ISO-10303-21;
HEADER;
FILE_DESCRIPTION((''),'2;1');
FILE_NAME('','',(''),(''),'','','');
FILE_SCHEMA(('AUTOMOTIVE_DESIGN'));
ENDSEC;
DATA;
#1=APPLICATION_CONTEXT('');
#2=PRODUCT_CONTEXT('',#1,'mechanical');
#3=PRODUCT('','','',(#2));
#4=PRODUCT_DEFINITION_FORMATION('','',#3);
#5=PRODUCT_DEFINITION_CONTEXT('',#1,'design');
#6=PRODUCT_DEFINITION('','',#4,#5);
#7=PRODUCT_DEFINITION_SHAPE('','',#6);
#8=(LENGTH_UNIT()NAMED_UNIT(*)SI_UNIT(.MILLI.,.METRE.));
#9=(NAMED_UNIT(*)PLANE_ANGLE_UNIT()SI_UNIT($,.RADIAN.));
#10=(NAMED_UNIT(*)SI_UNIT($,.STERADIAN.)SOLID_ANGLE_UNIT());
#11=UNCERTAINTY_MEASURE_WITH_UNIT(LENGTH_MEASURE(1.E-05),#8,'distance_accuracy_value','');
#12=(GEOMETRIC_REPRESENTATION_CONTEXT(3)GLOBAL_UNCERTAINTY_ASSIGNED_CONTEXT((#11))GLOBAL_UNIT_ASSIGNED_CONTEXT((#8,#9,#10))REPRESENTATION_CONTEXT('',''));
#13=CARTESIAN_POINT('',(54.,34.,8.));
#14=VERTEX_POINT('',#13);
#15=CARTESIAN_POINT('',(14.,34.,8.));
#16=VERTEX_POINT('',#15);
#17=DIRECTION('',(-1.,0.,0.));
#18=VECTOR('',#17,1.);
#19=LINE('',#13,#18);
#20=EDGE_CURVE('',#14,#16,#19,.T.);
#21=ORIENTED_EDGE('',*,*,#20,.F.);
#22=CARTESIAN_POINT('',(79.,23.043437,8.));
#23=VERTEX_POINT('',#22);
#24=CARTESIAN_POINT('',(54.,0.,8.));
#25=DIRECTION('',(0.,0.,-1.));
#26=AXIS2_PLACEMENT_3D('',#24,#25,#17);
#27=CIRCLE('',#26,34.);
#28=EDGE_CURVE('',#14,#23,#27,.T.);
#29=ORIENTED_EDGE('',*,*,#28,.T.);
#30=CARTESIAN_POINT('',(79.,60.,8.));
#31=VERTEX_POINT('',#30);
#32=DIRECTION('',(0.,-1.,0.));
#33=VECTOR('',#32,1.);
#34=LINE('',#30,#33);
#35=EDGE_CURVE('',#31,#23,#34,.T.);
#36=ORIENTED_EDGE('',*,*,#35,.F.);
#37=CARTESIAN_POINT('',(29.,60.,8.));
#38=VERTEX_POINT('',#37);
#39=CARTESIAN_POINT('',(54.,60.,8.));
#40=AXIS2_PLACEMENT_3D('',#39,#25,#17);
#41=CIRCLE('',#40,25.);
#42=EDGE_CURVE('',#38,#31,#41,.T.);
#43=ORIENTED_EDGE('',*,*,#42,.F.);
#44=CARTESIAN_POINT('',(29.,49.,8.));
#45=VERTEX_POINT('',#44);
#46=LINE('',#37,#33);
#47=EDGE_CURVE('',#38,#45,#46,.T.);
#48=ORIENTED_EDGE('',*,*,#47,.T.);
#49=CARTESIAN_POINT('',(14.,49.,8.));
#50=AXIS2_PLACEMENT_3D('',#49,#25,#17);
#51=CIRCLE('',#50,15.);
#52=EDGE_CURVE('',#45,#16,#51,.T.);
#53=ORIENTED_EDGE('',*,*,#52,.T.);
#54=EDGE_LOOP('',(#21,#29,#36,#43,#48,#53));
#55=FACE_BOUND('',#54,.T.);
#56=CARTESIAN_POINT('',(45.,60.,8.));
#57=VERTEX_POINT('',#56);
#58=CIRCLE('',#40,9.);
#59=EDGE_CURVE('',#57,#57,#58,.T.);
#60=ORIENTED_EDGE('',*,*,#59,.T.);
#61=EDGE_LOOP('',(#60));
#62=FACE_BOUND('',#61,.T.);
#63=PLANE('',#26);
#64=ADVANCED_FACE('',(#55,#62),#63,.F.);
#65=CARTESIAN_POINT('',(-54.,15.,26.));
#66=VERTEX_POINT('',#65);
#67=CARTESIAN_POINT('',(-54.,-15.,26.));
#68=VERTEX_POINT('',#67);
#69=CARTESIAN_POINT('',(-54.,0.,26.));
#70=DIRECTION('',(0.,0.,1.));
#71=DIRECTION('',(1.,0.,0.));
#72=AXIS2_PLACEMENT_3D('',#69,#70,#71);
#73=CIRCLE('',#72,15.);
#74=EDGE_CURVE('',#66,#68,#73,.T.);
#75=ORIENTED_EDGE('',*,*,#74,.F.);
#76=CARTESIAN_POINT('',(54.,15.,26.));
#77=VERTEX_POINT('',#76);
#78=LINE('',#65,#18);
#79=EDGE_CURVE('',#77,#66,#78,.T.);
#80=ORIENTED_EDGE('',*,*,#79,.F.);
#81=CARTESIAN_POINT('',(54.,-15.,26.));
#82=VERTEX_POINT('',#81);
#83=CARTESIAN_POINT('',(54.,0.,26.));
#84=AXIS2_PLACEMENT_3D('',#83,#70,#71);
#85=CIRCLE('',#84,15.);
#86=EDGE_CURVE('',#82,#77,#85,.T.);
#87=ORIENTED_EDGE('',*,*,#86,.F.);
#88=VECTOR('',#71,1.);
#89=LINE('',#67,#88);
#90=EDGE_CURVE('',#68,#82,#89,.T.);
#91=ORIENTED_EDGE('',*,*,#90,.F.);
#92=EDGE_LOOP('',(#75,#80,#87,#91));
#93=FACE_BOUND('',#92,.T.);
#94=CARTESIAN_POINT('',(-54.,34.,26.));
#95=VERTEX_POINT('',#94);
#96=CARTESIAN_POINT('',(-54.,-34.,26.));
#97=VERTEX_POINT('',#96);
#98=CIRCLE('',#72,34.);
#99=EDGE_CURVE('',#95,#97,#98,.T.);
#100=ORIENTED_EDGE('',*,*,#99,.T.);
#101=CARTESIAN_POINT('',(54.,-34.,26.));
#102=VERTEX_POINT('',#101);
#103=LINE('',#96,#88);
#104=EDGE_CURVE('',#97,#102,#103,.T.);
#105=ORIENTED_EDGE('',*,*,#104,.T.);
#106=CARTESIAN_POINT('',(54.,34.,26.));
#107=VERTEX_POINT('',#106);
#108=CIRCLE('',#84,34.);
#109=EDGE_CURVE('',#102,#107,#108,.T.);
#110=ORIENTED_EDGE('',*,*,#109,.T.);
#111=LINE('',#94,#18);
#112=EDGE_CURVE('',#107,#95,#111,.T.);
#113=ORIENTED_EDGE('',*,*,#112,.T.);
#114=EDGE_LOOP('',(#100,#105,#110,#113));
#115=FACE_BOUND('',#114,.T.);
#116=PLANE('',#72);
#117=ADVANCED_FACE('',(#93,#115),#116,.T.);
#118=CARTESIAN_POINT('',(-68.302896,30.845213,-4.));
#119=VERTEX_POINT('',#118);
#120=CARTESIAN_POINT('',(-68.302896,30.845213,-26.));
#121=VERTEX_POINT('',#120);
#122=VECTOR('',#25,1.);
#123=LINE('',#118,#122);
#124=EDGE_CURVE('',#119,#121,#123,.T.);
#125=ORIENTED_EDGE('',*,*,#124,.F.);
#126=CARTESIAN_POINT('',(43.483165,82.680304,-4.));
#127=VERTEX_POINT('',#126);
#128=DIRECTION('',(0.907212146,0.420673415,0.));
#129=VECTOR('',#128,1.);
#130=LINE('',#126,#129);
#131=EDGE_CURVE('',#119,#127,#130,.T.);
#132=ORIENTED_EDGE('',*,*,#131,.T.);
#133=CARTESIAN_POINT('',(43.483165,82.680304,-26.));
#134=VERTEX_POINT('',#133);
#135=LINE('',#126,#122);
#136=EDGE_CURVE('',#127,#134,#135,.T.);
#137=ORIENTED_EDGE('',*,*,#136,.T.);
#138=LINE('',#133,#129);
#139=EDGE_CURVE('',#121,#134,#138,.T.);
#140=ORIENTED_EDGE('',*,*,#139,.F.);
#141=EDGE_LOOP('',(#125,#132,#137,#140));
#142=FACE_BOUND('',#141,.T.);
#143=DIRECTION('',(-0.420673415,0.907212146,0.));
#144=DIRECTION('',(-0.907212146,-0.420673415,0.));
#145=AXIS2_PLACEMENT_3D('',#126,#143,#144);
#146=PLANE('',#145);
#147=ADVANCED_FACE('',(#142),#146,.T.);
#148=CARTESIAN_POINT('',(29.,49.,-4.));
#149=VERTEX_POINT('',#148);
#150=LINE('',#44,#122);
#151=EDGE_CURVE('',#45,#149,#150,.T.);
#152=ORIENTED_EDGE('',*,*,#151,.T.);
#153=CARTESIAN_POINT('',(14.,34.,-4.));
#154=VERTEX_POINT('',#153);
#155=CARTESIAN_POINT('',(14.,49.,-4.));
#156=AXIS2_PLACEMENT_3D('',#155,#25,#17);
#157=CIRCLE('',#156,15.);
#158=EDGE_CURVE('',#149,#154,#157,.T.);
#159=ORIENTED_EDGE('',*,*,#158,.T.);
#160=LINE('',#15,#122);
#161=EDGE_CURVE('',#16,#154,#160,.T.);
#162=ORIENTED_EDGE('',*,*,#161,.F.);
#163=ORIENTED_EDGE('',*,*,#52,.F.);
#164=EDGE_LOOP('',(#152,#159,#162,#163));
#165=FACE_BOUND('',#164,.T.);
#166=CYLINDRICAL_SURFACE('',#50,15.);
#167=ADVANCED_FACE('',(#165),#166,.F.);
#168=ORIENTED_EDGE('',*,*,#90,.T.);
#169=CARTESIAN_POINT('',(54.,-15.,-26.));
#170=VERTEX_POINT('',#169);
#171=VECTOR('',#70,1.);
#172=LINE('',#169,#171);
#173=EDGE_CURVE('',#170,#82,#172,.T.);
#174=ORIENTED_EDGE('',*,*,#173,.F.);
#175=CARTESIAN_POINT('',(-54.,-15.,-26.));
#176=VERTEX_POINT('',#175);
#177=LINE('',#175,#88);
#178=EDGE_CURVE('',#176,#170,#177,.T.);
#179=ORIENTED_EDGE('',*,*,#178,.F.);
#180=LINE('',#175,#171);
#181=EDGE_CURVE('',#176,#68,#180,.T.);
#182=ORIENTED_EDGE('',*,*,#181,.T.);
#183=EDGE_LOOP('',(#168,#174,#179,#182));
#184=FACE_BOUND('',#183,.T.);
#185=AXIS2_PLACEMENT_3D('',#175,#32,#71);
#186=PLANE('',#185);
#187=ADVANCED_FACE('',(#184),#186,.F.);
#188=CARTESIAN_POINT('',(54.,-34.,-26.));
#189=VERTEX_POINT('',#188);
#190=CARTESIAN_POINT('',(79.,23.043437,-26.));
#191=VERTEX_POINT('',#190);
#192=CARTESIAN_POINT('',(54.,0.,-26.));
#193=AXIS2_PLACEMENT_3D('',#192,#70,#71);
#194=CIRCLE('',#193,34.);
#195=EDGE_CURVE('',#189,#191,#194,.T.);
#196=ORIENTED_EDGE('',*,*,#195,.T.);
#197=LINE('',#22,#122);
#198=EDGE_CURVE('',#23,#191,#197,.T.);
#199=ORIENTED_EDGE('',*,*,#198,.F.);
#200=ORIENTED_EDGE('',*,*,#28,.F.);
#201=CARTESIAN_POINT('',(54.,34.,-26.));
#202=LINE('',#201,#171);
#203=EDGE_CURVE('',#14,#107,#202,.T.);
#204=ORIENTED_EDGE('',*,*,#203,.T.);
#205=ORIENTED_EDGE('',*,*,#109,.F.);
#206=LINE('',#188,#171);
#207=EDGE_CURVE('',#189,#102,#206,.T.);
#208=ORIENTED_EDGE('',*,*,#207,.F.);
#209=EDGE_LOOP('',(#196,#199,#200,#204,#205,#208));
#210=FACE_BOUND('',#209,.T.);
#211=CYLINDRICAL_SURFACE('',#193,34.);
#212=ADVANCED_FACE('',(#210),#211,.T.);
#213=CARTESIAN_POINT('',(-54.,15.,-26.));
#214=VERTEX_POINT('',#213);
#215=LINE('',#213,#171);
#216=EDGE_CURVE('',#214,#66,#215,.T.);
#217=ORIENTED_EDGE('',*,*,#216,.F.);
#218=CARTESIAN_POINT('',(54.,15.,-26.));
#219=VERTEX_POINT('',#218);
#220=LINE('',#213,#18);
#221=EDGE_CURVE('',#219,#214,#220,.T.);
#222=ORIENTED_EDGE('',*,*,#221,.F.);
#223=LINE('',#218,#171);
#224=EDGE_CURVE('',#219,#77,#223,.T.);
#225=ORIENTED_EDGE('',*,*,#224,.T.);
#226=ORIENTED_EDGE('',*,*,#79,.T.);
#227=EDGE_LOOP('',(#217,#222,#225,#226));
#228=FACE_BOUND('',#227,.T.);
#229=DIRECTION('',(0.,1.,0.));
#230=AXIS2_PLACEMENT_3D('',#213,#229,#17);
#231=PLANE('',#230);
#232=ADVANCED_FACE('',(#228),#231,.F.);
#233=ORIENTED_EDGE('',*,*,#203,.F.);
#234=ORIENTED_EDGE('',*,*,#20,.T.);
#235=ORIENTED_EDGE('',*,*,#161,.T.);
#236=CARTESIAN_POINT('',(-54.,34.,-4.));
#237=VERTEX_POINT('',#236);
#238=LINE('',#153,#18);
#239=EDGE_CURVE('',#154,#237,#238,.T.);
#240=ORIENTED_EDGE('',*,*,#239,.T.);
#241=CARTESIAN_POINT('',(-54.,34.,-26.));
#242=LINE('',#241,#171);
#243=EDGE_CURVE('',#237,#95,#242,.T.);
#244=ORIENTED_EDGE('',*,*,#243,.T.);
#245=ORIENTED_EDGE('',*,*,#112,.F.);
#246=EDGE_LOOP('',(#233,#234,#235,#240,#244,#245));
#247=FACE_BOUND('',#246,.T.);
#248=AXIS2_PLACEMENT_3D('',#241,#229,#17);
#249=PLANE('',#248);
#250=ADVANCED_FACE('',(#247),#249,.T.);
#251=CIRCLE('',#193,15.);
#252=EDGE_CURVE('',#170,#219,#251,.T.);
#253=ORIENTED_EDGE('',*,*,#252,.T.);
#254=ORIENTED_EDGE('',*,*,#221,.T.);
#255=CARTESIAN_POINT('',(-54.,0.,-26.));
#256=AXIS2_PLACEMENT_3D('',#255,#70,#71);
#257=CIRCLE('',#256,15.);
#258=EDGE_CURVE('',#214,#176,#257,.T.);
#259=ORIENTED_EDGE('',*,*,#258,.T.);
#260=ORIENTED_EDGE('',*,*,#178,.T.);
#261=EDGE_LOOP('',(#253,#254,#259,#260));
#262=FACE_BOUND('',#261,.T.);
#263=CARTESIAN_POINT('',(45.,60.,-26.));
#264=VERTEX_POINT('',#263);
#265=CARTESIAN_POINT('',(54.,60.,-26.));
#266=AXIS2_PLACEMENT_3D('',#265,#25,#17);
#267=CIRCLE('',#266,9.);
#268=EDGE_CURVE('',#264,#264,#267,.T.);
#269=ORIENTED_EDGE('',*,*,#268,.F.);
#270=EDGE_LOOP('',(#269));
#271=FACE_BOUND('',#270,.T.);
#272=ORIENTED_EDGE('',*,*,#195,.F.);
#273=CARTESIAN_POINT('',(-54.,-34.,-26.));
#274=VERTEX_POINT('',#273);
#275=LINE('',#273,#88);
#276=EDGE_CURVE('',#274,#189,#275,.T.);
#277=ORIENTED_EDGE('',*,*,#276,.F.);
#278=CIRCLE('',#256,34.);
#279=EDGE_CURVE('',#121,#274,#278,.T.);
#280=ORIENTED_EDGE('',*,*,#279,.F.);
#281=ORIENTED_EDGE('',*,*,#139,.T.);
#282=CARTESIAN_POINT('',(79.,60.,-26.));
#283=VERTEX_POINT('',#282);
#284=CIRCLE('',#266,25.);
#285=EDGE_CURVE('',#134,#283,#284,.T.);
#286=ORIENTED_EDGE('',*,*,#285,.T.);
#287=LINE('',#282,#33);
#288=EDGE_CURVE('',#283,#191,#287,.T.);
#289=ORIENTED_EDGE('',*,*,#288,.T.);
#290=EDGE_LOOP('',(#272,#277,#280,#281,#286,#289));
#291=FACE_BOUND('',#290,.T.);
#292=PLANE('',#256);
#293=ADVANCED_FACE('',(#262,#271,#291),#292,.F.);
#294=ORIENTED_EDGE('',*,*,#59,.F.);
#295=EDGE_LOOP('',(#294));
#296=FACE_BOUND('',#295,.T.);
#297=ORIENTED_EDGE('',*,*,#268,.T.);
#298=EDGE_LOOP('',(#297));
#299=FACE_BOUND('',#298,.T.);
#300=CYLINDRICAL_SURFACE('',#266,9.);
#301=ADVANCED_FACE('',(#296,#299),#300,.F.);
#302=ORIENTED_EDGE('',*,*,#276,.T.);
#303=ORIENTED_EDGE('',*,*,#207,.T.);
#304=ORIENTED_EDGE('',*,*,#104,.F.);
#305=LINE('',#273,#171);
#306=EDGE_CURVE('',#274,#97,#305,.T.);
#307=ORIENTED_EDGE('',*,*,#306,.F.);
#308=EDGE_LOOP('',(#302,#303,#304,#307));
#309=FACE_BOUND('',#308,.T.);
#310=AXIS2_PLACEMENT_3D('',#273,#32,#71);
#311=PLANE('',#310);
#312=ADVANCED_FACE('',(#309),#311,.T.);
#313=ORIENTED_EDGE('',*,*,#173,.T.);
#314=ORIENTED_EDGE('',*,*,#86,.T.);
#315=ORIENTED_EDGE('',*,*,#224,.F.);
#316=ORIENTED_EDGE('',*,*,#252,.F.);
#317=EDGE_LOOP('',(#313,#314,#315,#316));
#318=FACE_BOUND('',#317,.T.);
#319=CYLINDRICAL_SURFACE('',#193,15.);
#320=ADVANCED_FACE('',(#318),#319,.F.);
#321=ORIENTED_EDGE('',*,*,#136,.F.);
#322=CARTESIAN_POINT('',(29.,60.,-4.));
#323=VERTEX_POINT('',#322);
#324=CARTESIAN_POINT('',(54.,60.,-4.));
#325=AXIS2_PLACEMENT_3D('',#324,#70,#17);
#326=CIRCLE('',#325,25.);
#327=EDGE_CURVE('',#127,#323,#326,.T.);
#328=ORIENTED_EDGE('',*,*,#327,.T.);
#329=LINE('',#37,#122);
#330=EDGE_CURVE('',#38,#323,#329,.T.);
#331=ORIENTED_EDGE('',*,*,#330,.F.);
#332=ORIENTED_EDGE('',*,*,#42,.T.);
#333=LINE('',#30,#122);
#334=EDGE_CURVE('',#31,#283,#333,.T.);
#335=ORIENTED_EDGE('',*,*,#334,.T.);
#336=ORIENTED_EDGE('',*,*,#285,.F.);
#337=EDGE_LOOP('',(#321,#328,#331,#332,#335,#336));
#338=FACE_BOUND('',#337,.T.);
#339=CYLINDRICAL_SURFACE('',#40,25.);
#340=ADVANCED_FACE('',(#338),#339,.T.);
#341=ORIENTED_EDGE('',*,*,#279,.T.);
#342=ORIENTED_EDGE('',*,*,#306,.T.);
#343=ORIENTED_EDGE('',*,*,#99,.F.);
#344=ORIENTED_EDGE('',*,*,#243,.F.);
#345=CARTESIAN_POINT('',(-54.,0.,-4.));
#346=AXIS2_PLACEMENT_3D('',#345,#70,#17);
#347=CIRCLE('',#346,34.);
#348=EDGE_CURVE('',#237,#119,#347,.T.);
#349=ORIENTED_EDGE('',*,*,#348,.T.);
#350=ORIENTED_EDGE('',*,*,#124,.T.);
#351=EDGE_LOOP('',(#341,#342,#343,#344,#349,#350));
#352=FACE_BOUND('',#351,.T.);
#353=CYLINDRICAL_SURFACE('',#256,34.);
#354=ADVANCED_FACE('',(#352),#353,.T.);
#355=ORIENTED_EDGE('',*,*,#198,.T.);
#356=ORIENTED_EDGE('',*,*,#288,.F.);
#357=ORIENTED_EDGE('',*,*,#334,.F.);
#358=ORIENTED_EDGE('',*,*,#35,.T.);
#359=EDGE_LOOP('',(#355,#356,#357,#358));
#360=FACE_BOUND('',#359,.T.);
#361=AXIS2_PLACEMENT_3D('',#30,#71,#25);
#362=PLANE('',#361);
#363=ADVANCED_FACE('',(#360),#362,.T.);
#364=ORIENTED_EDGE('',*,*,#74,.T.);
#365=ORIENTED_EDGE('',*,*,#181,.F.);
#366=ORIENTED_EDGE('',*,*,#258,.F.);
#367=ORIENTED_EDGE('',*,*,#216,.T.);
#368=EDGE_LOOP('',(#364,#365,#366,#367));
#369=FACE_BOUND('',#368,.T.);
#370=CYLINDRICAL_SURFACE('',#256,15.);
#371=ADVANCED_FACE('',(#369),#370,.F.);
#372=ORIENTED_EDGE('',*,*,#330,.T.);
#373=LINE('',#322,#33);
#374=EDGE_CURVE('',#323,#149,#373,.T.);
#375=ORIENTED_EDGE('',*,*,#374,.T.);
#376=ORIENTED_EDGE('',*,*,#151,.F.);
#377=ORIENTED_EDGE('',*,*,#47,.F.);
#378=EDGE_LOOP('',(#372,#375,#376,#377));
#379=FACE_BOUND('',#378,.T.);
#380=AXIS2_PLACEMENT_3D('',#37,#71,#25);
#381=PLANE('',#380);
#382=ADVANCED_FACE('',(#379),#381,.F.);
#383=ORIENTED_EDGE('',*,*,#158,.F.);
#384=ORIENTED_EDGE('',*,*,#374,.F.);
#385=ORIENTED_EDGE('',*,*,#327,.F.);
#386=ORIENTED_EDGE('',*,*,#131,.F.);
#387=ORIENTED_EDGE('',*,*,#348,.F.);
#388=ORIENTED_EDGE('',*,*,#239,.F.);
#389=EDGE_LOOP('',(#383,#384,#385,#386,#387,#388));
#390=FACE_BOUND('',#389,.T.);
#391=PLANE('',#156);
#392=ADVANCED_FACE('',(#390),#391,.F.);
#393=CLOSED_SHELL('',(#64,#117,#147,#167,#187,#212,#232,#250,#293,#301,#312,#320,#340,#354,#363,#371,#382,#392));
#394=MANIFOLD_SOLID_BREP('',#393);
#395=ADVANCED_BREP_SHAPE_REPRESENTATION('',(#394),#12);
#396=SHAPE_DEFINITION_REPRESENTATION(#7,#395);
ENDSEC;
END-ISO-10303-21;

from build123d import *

# Parameters (mm, degrees)
BOSS_EXTRUDE1_DEPTH      = 26
BOSS_EXTRUDE1_DEPTH_BACK = 26
BOSS_EXTRUDE2_DEPTH      = 34
HOLE1_D                  = 18
BOSS_EXTRUDE3_DEPTH      = 22


with BuildPart() as part:
    # Sketch1 → Boss-Extrude1 (new, two sides: drawn at the far end of the back side and taken through both)
    with BuildSketch(Plane.XY.offset(-BOSS_EXTRUDE1_DEPTH_BACK)):
        with BuildLine():
            Line((-54, 34), (54, 34))
            ThreePointArc((54, 34), (88, 0), (54, -34))
            Line((54, -34), (-54, -34))
            ThreePointArc((-54, -34), (-88, 0), (-54, 34))
        make_face()
        with BuildLine():
            Line((-54, 15), (54, 15))
            ThreePointArc((54, 15), (69, 0), (54, -15))
            Line((54, -15), (-54, -15))
            ThreePointArc((-54, -15), (-69, 0), (-54, 15))
        make_face(mode=Mode.SUBTRACT)
    extrude(amount=BOSS_EXTRUDE1_DEPTH + BOSS_EXTRUDE1_DEPTH_BACK)

    # Sketch2 → Boss-Extrude2 (add)
    with BuildSketch(Plane(origin=(0, 0, -26), x_dir=(-1, 0, 0), z_dir=(0, 0, -1))):
        with BuildLine():
            Line((-29, 60), (-29, 49))
            ThreePointArc((-29, 49), (-24.606601718, 38.393398282), (-14, 34))
            Line((-14, 34), (-54, 34))
            ThreePointArc((-54, 34), (-67.647767834, 31.140623519), (-79, 23.043437244))
            Line((-79, 23.043437244), (-79, 60))
            ThreePointArc((-79, 60), (-54, 85), (-29, 60))
        make_face()
    extrude(amount=-BOSS_EXTRUDE2_DEPTH)

    # Hole1 (through all)
    with Locations(Plane(origin=(0, 0, -26), x_dir=(-1, 0, 0), z_dir=(0, 0, -1))):
        with Locations((-54, 60)):
            Hole(HOLE1_D / 2)

    # Sketch5 → Boss-Extrude3 (add)
    with BuildSketch(Plane(origin=(0, 0, -26), x_dir=(-1, 0, 0), z_dir=(0, 0, -1))):
        with BuildLine():
            Line((-14, 34), (54, 34))
            ThreePointArc((54, 34), (61.323344829, 33.201937), (68.302896095, 30.845212972))
            Line((68.302896095, 30.845212972), (-43.483164636, 82.680303656))
            ThreePointArc((-43.483164636, 82.680303656), (-32.929631184, 73.455094126), (-29, 60))
            Line((-29, 60), (-29, 49))
            ThreePointArc((-29, 49), (-24.606601718, 38.393398282), (-14, 34))
        make_face()
    extrude(amount=-BOSS_EXTRUDE3_DEPTH)


solid = part.part
